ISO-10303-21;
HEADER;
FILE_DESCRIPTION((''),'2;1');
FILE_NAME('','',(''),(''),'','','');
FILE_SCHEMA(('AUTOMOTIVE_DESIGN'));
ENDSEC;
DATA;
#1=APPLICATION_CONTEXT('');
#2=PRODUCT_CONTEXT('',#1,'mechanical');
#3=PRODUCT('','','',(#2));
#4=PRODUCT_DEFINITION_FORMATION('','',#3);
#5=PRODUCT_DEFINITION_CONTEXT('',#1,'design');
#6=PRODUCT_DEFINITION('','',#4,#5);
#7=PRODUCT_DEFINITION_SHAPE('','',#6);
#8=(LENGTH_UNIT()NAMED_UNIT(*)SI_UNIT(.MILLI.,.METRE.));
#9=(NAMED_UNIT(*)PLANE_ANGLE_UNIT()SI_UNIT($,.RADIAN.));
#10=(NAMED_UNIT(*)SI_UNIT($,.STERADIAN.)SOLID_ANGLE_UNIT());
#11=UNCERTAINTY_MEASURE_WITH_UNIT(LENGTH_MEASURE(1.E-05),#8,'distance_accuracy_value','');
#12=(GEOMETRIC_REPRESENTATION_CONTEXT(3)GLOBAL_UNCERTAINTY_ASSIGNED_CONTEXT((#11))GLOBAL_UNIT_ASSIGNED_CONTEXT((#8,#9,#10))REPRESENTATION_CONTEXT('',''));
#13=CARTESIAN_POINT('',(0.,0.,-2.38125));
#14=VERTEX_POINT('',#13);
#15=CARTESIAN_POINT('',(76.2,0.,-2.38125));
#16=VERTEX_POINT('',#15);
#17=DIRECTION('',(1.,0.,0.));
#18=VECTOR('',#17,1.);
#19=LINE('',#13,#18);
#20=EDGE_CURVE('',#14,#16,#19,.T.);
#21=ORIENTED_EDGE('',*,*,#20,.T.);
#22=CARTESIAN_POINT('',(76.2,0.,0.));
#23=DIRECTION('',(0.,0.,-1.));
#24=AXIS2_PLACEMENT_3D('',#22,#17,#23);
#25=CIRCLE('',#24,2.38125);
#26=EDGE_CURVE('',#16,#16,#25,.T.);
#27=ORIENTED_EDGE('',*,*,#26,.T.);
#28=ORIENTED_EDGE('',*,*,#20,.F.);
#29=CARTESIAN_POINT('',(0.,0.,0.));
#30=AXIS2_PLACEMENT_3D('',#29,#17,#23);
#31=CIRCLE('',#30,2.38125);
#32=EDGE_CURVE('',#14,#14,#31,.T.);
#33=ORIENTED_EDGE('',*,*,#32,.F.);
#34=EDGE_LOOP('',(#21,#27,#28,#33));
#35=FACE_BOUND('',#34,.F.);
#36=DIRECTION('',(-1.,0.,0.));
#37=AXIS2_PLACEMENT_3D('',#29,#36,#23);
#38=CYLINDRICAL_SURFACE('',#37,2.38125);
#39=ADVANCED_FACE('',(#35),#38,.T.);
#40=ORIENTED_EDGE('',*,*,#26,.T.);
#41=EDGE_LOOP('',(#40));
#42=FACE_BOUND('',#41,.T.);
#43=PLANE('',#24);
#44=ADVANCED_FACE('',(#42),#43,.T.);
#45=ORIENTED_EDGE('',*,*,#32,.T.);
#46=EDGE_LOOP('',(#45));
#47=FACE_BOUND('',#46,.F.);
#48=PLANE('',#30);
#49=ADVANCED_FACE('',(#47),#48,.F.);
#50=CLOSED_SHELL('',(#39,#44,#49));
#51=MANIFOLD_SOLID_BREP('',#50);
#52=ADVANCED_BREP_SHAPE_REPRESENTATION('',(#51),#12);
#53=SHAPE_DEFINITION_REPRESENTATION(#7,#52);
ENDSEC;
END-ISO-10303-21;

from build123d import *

# Parameters (mm, degrees)
SKETCH1_R           = 2.38125
BOSS_EXTRUDE1_DEPTH = 76.2


with BuildPart() as part:
    # Sketch1 → Boss-Extrude1 (new body)
    with BuildSketch(Plane(origin=(0, 0, 0), x_dir=(0, 0, -1), z_dir=(1, 0, 0))):
        Circle(SKETCH1_R)
    extrude(amount=BOSS_EXTRUDE1_DEPTH)


solid = part.part
